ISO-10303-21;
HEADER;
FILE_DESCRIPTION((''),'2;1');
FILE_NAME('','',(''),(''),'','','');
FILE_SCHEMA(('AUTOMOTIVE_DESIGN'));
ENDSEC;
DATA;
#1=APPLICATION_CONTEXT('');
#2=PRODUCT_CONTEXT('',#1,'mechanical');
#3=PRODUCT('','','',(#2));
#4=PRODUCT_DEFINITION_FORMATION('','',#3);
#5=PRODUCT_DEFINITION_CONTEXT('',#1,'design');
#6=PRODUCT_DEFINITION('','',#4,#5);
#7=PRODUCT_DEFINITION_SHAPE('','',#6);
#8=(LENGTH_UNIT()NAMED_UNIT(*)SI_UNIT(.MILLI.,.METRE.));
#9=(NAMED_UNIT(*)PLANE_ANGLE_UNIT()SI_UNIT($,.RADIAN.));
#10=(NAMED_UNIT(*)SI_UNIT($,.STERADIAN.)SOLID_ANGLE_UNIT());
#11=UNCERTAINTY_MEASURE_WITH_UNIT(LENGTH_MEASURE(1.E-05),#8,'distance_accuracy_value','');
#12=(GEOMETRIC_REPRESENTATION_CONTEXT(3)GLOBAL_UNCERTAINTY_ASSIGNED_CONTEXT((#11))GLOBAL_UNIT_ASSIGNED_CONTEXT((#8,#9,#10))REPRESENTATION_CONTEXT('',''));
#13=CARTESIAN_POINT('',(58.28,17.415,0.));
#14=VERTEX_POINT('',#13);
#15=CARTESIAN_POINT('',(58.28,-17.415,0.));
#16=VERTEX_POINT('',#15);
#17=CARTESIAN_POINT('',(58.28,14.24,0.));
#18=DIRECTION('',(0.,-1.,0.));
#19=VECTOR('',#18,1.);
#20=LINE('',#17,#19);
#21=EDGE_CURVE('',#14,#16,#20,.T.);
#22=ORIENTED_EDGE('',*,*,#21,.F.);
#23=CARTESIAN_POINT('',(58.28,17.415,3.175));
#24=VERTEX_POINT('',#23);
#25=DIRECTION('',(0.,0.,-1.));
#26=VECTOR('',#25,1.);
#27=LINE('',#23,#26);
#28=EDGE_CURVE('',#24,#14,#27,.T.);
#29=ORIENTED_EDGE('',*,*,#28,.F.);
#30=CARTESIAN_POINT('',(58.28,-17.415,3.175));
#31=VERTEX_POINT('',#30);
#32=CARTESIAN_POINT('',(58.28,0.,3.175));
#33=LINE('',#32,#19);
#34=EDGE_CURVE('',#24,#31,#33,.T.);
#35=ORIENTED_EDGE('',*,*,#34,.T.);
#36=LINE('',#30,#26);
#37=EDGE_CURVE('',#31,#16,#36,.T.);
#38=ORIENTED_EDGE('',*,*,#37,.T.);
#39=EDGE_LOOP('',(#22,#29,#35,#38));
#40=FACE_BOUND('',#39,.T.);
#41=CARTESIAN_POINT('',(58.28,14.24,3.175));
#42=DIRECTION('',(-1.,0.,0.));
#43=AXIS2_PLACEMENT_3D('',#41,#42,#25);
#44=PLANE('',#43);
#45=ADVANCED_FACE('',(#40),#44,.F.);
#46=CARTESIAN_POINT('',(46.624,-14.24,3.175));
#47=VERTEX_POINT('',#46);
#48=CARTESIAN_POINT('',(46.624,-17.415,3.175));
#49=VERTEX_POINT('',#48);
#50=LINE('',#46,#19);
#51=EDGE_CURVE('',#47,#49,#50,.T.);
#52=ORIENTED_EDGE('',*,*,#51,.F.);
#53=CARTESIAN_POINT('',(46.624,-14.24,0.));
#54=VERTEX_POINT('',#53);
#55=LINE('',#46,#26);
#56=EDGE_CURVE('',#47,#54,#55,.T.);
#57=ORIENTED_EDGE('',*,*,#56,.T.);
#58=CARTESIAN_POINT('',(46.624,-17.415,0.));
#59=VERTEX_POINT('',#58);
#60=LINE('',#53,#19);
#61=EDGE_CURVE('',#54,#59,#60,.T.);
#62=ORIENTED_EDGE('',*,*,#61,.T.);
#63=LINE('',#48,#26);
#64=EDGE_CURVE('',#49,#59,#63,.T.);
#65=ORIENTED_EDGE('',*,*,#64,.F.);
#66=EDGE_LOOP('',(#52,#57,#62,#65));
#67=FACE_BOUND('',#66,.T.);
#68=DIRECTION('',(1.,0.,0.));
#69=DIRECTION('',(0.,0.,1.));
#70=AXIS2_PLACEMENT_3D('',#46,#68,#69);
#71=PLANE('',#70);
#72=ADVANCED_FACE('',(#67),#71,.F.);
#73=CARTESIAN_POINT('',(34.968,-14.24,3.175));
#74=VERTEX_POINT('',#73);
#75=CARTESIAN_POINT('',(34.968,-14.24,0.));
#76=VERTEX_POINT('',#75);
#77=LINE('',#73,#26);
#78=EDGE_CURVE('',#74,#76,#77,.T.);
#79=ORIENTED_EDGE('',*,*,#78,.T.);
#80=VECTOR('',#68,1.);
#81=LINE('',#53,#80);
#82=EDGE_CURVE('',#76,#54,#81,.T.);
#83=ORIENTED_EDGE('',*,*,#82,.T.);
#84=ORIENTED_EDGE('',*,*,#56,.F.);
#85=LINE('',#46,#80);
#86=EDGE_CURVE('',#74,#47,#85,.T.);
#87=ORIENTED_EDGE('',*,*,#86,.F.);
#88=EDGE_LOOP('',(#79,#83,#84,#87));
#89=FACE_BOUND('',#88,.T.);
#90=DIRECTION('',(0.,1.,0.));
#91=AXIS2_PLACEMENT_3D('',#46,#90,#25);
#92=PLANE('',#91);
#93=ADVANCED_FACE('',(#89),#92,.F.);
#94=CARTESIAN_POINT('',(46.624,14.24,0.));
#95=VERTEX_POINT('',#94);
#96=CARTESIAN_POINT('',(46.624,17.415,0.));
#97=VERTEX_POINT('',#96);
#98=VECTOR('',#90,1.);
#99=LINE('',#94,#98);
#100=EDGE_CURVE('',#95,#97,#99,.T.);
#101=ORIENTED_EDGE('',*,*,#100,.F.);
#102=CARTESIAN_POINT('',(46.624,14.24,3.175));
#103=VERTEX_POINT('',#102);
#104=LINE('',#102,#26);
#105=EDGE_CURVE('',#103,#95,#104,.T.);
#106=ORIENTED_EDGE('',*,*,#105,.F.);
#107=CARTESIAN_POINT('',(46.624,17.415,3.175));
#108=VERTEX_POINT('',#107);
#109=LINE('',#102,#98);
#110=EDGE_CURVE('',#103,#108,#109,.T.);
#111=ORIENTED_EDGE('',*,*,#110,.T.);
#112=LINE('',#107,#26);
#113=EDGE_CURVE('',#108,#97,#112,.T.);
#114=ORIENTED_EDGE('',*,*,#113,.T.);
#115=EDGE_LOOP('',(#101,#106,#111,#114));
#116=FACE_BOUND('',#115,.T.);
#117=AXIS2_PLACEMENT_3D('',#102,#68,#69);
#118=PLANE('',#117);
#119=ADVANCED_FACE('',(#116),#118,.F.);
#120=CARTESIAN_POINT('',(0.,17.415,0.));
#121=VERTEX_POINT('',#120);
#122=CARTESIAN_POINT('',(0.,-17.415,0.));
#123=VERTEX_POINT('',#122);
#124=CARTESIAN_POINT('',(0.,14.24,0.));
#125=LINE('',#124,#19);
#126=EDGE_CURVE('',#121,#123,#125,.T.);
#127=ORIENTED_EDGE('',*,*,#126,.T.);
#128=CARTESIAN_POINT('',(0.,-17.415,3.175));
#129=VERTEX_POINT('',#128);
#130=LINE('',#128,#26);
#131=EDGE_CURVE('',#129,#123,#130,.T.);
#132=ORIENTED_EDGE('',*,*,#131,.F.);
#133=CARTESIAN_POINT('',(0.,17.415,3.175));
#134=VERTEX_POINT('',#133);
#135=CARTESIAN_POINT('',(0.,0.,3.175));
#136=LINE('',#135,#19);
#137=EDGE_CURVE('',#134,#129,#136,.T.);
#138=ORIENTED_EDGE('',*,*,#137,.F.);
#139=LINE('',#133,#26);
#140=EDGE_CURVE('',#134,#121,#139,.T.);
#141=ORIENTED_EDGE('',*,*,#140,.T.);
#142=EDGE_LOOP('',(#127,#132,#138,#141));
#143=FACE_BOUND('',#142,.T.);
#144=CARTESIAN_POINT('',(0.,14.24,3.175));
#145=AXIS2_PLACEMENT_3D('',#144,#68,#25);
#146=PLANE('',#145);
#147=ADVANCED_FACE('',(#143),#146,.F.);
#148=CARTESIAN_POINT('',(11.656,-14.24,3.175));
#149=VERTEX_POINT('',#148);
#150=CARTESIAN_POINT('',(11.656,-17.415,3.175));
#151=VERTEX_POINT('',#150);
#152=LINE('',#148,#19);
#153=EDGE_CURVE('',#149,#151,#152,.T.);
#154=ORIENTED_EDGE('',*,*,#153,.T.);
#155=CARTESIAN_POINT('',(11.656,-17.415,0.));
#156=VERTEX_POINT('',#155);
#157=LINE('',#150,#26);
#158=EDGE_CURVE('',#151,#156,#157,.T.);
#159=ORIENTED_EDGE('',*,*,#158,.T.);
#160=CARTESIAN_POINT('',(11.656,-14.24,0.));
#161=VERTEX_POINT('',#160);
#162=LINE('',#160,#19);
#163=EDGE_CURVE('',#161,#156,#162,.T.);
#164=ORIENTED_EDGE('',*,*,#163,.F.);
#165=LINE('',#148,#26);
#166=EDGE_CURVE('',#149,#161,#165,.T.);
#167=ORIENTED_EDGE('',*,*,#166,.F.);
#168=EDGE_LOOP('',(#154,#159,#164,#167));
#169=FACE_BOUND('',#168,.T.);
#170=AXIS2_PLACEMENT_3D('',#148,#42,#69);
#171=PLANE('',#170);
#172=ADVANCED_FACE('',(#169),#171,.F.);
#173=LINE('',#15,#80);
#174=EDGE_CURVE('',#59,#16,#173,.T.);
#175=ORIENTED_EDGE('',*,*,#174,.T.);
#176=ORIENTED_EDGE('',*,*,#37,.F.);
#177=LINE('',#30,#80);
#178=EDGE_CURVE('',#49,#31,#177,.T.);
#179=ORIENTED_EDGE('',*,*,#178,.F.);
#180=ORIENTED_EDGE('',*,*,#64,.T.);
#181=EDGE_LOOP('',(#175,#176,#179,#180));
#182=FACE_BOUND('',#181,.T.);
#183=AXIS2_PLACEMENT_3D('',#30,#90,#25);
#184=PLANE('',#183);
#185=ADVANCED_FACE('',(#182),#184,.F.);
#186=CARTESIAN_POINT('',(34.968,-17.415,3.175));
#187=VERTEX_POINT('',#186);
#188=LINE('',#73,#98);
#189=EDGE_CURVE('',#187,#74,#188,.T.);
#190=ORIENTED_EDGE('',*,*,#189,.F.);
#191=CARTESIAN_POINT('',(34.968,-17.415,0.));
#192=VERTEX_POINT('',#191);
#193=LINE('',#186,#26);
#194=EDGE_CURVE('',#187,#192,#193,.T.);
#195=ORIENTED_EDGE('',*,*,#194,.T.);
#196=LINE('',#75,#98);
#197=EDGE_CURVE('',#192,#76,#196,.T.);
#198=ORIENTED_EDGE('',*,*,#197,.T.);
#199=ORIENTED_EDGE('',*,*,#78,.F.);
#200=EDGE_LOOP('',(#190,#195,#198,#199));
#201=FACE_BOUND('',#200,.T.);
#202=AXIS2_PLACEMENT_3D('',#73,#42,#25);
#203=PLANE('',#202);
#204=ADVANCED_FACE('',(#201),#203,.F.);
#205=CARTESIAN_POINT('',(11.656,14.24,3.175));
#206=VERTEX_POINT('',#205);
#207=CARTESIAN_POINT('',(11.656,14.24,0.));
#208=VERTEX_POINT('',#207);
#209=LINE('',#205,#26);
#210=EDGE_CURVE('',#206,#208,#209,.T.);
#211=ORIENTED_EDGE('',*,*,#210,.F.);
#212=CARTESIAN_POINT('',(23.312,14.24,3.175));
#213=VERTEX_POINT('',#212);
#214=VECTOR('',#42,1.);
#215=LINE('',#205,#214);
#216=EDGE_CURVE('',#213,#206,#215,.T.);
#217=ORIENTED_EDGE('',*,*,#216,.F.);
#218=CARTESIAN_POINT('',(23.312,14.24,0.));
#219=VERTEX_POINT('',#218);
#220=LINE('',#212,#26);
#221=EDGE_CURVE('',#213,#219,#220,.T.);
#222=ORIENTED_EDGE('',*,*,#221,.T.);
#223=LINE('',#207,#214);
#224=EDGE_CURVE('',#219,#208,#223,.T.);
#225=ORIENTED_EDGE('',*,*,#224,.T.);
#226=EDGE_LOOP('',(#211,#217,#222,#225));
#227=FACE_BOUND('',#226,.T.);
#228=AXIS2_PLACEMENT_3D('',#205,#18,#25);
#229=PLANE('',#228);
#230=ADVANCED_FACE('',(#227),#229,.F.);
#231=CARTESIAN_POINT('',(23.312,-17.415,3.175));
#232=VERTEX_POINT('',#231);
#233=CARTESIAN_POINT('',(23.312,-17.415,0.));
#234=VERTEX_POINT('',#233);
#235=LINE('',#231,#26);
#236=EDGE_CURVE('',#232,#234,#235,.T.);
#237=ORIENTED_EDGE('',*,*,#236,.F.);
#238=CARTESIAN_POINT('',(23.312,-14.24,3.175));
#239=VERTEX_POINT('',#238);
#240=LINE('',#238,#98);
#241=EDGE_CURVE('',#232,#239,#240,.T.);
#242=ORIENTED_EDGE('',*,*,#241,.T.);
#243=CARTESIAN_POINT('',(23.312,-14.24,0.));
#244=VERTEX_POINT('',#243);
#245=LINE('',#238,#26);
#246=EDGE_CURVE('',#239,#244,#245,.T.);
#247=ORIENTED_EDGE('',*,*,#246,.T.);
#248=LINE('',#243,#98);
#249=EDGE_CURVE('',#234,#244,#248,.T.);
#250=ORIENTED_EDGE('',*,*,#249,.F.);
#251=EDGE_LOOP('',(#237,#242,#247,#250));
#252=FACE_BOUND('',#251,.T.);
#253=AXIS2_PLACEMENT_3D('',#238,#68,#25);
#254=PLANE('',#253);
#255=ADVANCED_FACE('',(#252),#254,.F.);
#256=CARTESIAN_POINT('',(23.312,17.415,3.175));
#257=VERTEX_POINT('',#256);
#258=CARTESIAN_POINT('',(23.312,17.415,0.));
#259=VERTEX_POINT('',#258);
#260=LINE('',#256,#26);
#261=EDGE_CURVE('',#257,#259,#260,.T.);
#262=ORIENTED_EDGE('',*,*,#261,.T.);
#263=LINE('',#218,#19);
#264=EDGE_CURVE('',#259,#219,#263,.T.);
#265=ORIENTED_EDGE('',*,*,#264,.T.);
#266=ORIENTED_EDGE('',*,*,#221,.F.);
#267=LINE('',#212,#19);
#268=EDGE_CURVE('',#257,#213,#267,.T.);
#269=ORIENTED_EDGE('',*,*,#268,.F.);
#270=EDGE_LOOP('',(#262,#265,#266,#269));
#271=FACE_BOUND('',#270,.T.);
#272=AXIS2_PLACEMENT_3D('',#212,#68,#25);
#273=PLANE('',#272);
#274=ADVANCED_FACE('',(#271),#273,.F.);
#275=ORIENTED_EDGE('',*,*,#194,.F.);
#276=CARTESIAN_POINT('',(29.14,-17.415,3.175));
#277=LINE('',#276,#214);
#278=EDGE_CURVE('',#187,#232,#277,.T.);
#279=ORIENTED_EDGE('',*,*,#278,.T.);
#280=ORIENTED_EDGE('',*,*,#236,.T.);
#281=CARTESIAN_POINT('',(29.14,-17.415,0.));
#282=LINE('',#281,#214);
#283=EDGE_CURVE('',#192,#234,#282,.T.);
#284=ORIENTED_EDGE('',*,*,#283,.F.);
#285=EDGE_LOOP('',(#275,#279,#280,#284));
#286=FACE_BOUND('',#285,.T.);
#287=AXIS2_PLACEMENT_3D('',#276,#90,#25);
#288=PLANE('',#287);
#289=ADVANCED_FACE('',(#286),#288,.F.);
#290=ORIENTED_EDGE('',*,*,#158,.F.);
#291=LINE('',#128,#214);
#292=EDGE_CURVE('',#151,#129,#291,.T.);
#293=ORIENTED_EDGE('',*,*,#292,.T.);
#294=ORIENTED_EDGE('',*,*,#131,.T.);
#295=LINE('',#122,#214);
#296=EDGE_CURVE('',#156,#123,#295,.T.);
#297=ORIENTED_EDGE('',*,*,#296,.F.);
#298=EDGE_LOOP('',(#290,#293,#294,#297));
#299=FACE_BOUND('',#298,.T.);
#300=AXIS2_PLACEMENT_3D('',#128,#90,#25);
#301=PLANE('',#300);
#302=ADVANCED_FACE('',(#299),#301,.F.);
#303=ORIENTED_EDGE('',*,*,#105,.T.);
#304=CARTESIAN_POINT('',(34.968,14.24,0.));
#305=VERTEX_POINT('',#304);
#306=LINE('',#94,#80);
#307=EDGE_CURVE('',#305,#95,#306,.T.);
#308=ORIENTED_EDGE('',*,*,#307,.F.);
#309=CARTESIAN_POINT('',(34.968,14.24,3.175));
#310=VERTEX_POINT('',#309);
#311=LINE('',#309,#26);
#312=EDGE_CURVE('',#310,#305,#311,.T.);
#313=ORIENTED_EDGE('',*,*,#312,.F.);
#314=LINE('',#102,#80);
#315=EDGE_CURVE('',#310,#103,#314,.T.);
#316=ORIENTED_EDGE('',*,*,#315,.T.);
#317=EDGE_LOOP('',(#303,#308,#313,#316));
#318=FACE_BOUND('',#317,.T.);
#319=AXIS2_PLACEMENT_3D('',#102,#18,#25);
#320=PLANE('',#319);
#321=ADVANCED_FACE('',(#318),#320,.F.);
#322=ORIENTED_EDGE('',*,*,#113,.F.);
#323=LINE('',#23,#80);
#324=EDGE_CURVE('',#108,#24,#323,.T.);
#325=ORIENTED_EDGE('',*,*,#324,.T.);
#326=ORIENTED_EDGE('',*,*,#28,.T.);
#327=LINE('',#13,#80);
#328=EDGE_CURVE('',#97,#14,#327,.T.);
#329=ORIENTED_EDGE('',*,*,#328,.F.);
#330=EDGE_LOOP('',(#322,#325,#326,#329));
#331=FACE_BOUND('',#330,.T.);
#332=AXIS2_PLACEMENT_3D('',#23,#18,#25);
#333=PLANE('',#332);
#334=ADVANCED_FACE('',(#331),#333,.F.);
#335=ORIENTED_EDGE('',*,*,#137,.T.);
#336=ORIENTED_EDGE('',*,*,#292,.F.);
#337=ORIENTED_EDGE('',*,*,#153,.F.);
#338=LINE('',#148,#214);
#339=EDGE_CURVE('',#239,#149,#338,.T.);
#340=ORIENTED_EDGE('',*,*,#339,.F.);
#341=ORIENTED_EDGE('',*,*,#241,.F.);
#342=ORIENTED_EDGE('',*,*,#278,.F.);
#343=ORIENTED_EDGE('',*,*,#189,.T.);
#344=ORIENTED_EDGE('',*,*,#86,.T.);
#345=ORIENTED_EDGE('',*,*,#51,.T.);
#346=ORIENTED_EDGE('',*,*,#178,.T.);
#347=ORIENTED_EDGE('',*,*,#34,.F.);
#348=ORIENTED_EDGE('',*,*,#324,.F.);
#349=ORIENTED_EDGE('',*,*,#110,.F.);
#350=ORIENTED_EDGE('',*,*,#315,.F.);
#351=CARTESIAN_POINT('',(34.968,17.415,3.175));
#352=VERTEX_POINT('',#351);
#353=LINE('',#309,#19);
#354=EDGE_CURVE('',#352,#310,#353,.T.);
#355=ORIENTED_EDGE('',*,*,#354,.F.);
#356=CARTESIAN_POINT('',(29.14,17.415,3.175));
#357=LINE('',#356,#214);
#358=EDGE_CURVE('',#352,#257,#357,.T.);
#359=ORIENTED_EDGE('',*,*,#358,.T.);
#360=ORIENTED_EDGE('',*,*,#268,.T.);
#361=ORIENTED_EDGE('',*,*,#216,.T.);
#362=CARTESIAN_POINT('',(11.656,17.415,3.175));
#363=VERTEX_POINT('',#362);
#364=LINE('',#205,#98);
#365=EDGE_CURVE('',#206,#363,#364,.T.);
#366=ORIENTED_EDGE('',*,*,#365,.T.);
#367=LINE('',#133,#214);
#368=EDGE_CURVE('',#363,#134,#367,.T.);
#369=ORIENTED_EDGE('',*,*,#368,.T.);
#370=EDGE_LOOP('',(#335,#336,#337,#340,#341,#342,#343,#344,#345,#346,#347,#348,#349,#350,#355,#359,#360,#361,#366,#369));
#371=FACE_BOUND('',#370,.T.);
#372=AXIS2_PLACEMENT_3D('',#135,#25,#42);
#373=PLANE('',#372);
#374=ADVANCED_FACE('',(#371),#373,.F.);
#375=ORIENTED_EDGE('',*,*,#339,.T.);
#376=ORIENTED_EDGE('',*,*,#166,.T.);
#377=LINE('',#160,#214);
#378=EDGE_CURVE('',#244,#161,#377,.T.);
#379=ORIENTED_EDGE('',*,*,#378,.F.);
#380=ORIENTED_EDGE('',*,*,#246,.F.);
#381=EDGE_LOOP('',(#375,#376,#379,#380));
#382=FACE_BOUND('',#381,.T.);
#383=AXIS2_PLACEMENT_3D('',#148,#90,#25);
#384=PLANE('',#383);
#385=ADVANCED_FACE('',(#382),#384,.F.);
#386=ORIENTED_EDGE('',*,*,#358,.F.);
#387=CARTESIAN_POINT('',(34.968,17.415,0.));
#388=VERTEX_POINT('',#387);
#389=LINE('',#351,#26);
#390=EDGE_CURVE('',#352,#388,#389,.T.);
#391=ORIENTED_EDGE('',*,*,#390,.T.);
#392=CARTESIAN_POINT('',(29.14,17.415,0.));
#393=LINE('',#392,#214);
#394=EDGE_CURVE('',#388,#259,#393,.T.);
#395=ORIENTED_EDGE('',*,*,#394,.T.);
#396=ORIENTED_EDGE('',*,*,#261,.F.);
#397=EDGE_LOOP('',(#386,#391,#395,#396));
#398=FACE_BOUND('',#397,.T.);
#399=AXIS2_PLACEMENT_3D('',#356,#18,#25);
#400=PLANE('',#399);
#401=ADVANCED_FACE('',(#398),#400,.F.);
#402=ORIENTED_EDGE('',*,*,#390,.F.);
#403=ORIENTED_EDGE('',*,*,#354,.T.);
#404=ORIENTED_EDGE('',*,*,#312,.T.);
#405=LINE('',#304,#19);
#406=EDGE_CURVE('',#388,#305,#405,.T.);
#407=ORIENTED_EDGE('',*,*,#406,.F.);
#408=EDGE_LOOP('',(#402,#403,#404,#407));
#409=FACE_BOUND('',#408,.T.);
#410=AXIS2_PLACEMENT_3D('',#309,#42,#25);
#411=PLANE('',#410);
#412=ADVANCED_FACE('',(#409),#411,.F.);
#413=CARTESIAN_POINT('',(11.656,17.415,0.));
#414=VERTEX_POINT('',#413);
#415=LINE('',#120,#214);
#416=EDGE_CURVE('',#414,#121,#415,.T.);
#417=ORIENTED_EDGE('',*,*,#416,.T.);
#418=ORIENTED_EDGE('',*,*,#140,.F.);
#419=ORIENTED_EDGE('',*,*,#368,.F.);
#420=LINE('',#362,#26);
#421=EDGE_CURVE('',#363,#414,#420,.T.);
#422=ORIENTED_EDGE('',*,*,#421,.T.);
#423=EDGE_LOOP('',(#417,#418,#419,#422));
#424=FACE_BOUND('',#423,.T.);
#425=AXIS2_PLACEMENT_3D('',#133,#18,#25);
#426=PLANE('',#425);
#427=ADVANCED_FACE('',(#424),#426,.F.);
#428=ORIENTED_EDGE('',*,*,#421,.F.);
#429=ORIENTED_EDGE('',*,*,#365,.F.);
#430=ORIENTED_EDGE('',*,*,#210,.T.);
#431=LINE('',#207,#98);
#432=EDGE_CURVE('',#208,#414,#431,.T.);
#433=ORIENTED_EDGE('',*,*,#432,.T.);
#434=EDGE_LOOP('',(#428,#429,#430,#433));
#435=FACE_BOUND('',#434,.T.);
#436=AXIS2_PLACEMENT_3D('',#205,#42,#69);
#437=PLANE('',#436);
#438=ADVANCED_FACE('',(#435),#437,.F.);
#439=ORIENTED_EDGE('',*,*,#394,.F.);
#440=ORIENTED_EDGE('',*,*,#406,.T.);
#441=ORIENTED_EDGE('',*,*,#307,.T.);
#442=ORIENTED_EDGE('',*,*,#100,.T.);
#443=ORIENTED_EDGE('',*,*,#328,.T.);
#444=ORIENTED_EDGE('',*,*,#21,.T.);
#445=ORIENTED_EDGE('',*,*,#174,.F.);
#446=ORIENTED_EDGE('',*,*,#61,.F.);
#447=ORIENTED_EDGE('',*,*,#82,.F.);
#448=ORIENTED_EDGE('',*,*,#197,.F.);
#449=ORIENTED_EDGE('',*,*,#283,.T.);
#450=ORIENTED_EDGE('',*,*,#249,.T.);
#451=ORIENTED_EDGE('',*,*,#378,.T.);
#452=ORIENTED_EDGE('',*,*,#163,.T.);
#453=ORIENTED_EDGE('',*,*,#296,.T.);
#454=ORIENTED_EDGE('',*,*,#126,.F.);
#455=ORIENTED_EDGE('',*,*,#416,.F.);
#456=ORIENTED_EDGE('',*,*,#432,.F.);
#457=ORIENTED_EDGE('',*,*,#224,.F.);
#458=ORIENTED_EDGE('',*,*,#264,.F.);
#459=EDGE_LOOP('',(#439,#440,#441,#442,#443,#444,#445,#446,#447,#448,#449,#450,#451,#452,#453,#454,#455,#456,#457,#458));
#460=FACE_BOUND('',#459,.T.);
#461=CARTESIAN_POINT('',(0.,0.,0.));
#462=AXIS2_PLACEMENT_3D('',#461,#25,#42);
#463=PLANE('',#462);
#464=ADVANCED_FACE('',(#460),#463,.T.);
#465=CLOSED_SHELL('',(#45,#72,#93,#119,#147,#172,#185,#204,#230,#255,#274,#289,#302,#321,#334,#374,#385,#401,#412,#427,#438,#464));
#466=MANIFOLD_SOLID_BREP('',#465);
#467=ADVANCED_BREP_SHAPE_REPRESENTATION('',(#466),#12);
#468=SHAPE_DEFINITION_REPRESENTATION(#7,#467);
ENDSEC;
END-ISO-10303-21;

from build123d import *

# Parameters (mm, degrees)
BOSS_EXTRUDE1_DEPTH = 3.175


with BuildPart() as part:
    # Sketch1 → Boss-Extrude1 (new body)
    with BuildSketch(Plane.XY):
        Polygon((0, 0), (29.14, 0), (29.14, 14.24), (29.14, 17.415), (23.312, 17.415), (23.312, 14.24), (11.656, 14.24), (11.656, 17.415), (0, 17.415), (0, 14.24), align=None)
    extrude(amount=BOSS_EXTRUDE1_DEPTH)

    # Mirror1: part across plane


with BuildPart() as part_1:
    add(part.part)
    add(part.part.mirror(Plane(origin=(0, 0, 3.175), x_dir=(0, 0, 1), z_dir=(0, 1, 0))))

    # Mirror3: part across plane


with BuildPart() as part_2:
    add(part_1.part)
    add(part_1.part.mirror(Plane(origin=(29.14, 14.24, 3.175), x_dir=(0, 0, 1), z_dir=(-1, 0, 0))))


solid = part_2.part
